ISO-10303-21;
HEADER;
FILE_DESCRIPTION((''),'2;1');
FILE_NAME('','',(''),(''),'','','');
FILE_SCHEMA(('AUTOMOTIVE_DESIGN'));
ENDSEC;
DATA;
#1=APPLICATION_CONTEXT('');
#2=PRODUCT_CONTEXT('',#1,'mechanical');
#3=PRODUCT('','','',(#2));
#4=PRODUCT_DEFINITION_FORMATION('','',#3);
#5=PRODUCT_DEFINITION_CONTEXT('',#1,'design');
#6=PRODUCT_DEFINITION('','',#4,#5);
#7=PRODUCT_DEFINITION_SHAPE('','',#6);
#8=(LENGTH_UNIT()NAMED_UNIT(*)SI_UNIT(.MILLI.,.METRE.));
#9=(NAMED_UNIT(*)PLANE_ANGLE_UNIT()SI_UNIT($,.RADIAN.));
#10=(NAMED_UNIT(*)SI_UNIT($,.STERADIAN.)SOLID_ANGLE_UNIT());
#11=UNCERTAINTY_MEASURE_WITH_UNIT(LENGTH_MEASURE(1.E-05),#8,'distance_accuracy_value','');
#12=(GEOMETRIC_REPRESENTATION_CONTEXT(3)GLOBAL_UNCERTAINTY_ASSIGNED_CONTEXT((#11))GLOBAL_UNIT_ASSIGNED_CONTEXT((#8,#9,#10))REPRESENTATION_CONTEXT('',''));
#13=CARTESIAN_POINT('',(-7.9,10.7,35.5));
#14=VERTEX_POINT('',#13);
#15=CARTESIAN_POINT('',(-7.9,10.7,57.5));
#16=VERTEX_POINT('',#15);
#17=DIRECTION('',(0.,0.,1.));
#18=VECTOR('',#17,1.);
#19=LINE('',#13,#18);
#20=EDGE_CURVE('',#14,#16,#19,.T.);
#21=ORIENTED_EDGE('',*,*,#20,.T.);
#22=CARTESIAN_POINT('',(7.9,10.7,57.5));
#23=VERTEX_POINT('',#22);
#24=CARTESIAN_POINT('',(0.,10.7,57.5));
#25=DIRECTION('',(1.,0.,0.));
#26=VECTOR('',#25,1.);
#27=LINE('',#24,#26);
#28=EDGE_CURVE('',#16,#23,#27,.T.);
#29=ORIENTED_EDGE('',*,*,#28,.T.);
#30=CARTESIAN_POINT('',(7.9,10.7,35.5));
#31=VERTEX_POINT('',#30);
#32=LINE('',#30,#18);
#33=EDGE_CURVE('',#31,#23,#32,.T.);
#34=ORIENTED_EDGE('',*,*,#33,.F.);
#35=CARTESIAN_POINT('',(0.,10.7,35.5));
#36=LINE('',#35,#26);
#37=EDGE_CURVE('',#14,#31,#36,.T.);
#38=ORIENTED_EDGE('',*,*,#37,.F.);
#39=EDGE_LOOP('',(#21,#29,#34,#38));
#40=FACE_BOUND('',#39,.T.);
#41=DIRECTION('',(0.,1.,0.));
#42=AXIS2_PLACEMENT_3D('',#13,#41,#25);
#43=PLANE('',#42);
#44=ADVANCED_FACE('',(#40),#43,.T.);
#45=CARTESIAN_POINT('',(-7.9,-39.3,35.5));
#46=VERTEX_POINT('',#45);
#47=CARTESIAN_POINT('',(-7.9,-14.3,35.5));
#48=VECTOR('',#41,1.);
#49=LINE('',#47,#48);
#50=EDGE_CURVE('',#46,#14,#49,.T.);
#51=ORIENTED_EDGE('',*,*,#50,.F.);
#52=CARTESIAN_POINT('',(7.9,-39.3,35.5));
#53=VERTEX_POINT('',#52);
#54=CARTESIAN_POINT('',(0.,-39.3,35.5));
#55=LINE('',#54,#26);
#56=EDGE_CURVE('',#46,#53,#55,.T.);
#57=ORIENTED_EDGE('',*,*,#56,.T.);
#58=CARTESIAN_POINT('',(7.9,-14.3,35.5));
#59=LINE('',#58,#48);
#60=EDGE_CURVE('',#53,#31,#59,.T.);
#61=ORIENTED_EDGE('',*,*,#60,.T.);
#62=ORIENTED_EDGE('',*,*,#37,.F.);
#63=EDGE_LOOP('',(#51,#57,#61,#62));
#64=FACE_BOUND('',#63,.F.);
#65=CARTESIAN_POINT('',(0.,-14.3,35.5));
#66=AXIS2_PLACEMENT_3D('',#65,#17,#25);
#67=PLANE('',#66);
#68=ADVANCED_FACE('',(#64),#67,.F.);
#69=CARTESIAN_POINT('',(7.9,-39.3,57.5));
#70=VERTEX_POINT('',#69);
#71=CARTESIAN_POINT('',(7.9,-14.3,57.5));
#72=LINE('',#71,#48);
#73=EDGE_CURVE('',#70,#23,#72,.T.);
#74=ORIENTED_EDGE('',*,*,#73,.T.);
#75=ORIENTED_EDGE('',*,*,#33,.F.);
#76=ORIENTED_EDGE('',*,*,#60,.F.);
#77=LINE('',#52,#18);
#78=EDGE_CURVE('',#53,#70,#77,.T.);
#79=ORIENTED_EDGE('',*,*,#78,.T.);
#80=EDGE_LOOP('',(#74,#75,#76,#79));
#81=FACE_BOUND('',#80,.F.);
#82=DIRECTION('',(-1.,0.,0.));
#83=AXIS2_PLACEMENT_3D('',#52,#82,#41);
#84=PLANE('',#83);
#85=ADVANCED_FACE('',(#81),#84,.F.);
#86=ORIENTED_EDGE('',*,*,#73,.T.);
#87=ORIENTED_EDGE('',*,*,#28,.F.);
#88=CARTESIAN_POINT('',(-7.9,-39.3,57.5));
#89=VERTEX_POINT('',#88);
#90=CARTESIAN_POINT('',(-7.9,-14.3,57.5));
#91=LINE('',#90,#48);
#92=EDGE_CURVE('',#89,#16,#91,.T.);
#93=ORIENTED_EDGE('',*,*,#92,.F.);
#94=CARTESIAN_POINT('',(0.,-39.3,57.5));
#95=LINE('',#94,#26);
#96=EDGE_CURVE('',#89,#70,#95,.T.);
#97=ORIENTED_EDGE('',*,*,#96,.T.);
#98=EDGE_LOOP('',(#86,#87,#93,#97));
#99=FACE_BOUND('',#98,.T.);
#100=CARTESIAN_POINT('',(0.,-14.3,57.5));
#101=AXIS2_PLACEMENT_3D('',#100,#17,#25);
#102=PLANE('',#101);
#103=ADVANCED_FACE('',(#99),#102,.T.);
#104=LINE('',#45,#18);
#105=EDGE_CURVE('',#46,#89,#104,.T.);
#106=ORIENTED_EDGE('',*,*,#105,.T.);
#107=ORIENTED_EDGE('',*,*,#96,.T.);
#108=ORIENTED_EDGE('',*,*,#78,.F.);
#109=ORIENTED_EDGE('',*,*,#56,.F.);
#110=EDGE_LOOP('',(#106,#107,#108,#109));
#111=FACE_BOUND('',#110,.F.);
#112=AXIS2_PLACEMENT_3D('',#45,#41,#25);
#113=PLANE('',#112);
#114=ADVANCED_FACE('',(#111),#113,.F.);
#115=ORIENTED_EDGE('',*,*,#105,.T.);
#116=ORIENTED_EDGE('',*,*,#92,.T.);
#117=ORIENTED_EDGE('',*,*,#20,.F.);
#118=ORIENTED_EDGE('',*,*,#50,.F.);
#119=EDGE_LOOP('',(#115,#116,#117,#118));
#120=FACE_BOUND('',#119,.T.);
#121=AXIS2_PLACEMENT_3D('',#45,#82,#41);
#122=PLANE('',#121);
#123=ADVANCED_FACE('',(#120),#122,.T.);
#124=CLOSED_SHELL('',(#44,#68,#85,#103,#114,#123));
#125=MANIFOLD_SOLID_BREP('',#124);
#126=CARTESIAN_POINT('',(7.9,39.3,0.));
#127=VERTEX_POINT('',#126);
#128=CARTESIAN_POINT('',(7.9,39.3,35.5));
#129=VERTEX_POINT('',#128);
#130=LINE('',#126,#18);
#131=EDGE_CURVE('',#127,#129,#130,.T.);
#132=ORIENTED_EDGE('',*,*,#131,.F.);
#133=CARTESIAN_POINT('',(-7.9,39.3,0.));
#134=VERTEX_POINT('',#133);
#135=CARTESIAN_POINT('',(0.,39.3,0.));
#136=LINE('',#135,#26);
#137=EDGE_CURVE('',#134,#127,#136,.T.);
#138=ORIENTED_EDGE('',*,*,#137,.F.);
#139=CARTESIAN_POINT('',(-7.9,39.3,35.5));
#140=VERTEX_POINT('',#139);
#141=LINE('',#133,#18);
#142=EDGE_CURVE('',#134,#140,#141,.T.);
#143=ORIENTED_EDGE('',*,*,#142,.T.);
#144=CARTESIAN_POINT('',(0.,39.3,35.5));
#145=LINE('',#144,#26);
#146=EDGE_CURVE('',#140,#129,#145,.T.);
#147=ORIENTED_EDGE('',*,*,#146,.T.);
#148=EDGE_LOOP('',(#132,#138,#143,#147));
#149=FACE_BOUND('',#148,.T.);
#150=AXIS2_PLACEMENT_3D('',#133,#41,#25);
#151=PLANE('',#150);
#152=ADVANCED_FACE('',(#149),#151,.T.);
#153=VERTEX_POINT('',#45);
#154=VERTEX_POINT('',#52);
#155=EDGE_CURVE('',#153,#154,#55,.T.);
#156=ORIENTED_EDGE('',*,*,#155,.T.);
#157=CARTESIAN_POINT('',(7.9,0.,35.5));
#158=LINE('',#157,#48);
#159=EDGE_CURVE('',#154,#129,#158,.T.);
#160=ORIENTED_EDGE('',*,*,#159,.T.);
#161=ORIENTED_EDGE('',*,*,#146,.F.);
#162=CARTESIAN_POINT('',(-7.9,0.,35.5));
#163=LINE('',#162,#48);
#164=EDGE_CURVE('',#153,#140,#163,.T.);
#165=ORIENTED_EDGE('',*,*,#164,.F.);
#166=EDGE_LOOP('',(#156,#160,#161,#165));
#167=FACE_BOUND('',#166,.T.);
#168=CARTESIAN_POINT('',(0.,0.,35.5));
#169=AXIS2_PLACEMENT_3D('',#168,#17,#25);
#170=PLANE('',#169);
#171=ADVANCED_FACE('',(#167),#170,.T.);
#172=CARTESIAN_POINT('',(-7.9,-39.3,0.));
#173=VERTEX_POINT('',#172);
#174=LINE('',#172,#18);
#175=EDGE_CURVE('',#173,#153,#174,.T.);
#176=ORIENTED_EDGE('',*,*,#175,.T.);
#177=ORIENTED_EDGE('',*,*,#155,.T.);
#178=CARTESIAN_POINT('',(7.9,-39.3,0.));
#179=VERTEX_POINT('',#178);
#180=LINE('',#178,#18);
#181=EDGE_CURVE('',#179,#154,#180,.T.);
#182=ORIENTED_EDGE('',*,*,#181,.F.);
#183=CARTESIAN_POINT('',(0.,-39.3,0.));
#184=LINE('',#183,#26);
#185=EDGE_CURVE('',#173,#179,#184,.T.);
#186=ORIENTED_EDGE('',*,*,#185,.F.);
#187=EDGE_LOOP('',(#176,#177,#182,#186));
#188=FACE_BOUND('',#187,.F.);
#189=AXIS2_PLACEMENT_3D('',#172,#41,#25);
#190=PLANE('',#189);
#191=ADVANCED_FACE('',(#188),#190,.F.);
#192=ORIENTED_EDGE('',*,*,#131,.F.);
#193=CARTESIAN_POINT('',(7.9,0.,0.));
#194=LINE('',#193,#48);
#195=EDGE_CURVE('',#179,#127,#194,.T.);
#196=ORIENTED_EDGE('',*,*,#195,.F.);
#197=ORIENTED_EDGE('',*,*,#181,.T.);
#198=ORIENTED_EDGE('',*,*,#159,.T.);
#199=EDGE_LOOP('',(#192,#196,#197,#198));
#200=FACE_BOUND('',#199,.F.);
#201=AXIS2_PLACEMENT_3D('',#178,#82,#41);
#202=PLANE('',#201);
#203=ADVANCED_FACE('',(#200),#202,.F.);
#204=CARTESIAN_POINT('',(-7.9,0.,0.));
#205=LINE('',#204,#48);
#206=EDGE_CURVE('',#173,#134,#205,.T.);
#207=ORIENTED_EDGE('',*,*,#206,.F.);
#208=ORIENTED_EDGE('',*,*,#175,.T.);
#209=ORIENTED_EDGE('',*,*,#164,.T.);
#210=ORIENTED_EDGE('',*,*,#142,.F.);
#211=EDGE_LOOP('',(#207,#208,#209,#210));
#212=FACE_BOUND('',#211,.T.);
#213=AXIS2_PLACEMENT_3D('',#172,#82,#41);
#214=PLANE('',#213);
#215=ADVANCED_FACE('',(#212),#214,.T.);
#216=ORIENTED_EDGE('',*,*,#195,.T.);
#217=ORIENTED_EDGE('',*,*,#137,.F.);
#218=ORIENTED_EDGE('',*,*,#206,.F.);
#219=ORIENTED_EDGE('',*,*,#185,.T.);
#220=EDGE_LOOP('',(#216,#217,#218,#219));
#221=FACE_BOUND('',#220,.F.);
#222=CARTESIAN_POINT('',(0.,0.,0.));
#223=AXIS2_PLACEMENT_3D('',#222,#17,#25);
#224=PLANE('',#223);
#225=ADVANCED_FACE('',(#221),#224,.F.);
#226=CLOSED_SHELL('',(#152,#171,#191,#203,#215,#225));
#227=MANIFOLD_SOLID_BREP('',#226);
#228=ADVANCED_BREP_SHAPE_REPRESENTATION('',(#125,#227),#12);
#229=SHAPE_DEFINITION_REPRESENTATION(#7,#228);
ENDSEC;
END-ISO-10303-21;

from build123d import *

# Parameters (mm, degrees)
F0_W     = 15.8
F0_H     = 78.6
F1_DEPTH = 35.5
F2_W     = 15.8
F2_H     = 50
F3_DEPTH = 22


with BuildPart() as f1:
    # F0 (on Top) → F1 (new body)
    with BuildSketch(Plane.XY):
        Rectangle(F0_W, F0_H)
    extrude(amount=F1_DEPTH)


with BuildPart() as f3:
    # F2 (on face) → F3 (new body)
    with BuildSketch(Plane.XY.offset(35.5)):
        with Locations((0, -14.3)):
            Rectangle(F2_W, F2_H)
    extrude(amount=F3_DEPTH)


solid = Compound([f1.part, f3.part])
